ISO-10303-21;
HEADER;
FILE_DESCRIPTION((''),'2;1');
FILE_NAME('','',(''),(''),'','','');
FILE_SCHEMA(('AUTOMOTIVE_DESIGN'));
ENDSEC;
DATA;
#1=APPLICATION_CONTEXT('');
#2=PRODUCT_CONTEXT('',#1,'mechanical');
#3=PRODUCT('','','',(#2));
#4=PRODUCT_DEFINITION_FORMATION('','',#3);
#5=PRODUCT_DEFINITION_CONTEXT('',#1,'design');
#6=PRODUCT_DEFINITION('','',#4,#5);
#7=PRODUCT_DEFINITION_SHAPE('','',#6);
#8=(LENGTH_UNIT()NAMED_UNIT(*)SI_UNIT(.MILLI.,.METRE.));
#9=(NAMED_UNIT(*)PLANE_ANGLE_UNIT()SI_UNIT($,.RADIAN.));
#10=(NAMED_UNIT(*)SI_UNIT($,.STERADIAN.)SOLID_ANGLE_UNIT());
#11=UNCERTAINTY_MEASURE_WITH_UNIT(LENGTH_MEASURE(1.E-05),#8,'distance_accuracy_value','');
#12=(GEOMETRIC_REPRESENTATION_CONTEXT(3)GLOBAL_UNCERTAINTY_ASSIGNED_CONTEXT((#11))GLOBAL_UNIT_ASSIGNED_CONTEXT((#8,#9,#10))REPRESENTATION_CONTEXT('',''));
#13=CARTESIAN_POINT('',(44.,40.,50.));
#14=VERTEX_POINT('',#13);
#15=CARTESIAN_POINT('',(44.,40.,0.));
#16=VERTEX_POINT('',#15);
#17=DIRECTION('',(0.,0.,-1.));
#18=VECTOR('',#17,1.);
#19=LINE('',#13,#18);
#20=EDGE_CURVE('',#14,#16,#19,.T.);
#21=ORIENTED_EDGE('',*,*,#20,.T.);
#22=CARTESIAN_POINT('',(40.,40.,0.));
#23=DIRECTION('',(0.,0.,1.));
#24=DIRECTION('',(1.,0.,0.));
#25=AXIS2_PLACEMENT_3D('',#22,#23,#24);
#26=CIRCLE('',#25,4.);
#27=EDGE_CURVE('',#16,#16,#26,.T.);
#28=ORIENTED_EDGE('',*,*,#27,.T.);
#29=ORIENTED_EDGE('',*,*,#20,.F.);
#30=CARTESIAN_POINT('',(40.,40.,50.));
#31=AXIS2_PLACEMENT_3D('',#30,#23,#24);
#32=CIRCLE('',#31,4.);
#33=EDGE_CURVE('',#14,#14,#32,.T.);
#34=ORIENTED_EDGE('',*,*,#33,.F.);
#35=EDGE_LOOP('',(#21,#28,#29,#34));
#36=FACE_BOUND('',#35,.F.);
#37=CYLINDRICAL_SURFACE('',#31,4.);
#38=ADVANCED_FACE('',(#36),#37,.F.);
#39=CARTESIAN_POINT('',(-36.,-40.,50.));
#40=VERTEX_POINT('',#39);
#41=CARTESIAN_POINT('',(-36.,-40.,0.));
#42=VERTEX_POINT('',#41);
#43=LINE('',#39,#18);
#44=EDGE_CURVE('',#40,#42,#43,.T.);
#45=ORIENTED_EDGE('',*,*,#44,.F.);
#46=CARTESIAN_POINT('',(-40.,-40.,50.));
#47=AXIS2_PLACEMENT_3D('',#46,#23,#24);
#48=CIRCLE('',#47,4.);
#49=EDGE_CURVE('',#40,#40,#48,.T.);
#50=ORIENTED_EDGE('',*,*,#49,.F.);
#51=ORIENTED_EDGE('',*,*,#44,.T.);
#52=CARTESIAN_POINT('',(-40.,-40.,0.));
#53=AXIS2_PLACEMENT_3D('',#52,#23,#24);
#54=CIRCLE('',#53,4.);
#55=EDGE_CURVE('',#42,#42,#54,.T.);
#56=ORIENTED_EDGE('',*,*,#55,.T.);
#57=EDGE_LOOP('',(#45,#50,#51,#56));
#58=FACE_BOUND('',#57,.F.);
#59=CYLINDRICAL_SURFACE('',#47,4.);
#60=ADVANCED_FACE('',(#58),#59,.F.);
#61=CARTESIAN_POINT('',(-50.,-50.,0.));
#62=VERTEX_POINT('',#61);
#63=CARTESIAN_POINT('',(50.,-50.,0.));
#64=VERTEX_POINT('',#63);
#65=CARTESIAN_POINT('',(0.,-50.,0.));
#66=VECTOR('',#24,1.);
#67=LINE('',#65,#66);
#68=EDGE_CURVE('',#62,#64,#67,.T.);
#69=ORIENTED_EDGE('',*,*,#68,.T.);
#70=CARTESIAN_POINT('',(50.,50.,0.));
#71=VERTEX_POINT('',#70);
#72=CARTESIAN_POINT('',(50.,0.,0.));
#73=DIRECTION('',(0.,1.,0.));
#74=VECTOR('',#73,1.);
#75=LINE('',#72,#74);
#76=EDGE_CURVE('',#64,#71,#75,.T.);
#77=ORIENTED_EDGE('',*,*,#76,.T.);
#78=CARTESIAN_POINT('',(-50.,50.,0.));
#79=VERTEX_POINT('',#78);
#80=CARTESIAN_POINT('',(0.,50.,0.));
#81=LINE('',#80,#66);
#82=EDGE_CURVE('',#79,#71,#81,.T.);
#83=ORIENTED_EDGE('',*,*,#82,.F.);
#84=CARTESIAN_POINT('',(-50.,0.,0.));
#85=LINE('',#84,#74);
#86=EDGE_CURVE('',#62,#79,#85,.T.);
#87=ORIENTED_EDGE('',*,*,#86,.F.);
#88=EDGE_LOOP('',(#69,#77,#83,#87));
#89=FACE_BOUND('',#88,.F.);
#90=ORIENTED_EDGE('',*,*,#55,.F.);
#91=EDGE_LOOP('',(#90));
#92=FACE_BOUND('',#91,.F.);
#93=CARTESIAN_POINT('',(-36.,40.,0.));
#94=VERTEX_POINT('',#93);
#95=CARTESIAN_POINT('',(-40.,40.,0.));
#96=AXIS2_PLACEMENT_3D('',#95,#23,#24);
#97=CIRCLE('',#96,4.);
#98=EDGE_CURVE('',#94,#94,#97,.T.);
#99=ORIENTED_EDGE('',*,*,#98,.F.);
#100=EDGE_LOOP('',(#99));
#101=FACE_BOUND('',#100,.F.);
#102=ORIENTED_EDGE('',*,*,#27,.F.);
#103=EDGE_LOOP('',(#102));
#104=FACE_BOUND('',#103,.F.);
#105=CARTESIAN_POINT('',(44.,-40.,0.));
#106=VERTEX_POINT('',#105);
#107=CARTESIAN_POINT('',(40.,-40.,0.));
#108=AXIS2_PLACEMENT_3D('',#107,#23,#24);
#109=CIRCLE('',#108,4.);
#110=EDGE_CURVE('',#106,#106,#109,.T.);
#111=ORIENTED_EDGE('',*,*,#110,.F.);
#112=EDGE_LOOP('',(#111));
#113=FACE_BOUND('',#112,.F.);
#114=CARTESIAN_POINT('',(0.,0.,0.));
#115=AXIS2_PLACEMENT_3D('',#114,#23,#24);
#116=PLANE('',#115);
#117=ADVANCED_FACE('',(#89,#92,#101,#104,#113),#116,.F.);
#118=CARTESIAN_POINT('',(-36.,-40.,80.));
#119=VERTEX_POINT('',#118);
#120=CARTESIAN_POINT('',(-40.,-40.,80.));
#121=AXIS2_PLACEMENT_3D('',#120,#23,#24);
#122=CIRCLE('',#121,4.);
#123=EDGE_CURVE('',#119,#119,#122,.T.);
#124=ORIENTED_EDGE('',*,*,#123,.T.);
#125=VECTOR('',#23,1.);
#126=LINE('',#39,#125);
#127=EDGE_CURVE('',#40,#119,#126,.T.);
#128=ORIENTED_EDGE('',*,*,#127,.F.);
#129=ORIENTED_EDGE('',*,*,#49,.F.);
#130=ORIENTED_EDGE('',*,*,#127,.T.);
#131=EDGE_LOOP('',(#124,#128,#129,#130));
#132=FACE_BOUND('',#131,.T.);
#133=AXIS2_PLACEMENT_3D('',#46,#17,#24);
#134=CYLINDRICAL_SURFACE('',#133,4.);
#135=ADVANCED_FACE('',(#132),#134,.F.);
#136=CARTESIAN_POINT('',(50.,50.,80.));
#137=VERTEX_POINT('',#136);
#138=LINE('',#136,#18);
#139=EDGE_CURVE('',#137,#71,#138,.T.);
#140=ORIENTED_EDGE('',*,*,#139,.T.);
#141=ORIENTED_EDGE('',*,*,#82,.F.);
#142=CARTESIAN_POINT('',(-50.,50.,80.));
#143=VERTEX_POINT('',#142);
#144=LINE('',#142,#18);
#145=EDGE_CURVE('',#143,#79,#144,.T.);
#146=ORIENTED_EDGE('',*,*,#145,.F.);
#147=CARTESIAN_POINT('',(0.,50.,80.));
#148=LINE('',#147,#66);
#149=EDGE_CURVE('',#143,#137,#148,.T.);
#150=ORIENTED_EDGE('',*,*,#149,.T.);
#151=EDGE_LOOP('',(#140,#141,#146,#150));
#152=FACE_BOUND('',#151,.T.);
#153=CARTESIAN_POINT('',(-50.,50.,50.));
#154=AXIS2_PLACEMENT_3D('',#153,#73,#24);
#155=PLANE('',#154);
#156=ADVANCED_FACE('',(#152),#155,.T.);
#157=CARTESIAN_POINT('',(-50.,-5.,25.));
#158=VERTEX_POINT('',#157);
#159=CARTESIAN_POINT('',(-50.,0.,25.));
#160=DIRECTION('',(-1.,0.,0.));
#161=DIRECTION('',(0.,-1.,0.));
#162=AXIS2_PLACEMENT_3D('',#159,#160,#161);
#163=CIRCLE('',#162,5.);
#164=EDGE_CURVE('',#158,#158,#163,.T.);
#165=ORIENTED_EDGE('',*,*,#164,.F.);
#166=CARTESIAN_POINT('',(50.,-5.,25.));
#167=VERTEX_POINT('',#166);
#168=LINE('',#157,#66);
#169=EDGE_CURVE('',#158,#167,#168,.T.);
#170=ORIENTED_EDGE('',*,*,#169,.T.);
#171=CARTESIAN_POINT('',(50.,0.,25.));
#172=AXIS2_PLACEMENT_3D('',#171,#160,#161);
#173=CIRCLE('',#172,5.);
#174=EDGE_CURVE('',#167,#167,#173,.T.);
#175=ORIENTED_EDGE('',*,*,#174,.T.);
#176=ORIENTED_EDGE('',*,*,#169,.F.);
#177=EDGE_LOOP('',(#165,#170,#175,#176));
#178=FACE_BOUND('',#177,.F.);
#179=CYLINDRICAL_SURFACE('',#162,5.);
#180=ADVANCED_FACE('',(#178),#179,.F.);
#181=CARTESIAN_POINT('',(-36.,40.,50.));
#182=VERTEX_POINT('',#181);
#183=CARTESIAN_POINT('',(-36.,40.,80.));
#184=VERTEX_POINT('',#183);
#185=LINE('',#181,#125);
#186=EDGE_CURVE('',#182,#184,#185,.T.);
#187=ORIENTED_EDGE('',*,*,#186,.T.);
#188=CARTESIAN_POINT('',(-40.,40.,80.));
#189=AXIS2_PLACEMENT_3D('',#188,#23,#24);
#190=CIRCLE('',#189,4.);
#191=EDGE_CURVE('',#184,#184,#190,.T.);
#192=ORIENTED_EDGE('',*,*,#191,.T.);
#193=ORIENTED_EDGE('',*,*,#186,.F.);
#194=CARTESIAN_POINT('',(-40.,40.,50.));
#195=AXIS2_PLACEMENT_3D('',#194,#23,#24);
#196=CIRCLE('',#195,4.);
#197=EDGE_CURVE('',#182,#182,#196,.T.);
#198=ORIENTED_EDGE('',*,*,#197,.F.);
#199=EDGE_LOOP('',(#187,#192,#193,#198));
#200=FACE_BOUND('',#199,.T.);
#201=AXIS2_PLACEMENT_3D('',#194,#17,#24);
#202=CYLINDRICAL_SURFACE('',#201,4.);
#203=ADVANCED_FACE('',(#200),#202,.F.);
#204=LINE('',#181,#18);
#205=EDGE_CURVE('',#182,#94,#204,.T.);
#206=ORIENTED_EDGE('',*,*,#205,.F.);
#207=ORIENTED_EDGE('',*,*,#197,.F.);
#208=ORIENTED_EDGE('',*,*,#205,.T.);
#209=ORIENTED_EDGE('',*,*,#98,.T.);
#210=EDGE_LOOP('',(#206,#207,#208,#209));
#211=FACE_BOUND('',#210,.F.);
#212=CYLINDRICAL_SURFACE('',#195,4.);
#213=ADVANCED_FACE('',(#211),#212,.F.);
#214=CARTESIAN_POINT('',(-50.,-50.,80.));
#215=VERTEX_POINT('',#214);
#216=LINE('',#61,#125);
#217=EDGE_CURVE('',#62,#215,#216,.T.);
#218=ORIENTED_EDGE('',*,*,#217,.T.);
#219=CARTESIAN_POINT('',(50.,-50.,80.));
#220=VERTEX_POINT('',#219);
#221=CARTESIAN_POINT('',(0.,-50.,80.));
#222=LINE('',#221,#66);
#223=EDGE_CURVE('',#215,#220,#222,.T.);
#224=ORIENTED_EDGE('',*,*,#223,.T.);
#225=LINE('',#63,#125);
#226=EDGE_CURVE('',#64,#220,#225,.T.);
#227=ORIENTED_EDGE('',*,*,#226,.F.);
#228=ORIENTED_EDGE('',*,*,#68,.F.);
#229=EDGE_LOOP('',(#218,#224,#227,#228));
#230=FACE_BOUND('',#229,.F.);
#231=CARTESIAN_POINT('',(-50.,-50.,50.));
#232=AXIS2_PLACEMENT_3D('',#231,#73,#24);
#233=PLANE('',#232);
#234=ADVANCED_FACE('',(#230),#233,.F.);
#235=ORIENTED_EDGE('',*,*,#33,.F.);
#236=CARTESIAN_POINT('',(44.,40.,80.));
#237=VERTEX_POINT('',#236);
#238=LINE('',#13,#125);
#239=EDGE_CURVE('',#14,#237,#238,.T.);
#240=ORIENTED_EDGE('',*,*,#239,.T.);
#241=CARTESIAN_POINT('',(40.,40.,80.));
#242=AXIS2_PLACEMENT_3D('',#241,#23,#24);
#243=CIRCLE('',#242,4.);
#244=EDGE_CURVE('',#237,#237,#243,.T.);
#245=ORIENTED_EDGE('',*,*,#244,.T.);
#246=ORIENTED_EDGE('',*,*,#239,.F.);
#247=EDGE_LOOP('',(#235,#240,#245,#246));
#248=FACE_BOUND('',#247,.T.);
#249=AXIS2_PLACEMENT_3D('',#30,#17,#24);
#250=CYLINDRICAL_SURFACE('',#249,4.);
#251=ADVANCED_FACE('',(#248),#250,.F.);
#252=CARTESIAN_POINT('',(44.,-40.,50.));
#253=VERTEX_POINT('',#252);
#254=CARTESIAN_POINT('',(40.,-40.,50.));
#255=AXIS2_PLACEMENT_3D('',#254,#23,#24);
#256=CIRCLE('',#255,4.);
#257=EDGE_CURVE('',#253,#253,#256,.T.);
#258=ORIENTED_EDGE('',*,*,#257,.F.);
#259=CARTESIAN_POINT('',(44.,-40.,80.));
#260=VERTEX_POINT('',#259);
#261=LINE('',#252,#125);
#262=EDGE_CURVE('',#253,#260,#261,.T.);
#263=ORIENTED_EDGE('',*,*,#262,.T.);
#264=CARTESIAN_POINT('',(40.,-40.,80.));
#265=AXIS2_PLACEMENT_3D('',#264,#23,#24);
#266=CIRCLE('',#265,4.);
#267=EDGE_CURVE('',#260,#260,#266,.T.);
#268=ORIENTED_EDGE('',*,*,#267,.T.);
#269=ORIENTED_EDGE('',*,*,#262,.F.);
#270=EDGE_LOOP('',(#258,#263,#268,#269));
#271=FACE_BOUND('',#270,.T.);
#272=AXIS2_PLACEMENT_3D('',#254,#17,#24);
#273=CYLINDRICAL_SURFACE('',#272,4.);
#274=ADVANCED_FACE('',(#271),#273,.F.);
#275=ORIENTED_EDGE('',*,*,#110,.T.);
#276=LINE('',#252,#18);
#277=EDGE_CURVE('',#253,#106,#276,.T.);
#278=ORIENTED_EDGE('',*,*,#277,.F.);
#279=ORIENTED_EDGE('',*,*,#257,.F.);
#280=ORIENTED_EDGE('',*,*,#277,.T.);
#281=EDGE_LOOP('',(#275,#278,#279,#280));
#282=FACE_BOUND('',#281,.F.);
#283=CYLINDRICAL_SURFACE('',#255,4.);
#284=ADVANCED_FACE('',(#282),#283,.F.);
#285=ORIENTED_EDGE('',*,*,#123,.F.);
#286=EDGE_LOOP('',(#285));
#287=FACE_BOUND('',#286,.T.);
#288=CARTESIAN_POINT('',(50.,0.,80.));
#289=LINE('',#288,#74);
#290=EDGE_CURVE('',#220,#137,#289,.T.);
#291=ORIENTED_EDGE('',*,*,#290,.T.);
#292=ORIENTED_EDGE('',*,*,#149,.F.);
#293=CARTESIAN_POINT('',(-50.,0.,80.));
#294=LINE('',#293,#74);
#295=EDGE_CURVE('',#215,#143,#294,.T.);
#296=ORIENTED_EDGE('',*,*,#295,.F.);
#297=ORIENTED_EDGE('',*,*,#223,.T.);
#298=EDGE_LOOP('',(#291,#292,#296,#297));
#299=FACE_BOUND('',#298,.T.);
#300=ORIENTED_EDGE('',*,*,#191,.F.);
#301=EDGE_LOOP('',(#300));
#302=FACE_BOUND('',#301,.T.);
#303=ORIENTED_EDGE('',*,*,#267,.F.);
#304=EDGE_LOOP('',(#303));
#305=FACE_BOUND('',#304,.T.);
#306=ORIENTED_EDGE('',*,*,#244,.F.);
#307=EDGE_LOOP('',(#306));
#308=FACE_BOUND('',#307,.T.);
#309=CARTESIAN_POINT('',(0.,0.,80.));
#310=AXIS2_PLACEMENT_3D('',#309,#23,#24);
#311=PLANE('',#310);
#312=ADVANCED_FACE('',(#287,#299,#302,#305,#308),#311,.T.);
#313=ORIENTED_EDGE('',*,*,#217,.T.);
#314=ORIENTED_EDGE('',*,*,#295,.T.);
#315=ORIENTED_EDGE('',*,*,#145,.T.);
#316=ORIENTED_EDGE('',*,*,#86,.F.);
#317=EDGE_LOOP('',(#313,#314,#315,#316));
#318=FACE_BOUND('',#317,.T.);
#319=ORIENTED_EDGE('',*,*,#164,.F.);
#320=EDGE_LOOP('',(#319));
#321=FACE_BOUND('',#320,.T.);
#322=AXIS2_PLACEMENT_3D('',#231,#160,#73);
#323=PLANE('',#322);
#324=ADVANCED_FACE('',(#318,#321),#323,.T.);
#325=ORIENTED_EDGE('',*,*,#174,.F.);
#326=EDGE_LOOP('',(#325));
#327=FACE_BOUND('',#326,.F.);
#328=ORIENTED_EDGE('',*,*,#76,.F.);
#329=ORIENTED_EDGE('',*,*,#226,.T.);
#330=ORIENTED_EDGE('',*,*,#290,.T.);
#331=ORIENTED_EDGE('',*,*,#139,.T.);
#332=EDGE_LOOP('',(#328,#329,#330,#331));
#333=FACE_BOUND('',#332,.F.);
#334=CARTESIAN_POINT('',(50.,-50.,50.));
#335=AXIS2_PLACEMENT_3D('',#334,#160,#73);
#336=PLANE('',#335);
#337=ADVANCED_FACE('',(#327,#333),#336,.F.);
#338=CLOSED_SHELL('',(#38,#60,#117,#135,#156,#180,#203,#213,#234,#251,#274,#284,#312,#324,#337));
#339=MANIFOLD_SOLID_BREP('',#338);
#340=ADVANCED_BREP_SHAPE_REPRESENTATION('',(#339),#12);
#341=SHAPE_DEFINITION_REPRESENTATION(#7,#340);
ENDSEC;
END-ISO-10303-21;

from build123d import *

# Parameters (mm, degrees)
F0_W     = 100
F0_H     = 100
F1_DEPTH = 50
F2_W     = 100
F2_H     = 100
F2_R     = 4
F3_DEPTH = 30
F4_DEPTH = 50.001
F5_R     = 5
F6_DEPTH = 100.001


with BuildPart() as f1:
    # F0 (on Top) → F1 (new body)
    with BuildSketch(Plane.XY):
        Rectangle(F0_W, F0_H)
    extrude(amount=F1_DEPTH)

    # F2 (on face) → F3 (join)
    with BuildSketch(Plane.XY.offset(50)):
        Rectangle(F2_W, F2_H)
        with Locations((-40, -40)):
            Circle(F2_R, mode=Mode.SUBTRACT)
        with Locations((40, -40)):
            Circle(F2_R, mode=Mode.SUBTRACT)
        with Locations((-40, 40)):
            Circle(F2_R, mode=Mode.SUBTRACT)
        with Locations((40, 40)):
            Circle(F2_R, mode=Mode.SUBTRACT)
    extrude(amount=F3_DEPTH)

    # F4 (cut, through all): faces of the model
    f4_faces = [f1.faces().sort_by_distance(p)[0] for p in [
        (-40, 40, 50),
        (40, 40, 50),
        (40, -40, 50),
        (-40, -40, 50),
    ]]
    extrude(f4_faces, amount=-F4_DEPTH, mode=Mode.SUBTRACT)

    # F5 (on face) → F6 (cut, through all)
    with BuildSketch(Plane(origin=(-50, 0, 0), x_dir=(0, -1, 0), z_dir=(-1, 0, 0))):
        with Locations((0, 25)):
            Circle(F5_R)
    extrude(amount=-F6_DEPTH, mode=Mode.SUBTRACT)


solid = f1.part
